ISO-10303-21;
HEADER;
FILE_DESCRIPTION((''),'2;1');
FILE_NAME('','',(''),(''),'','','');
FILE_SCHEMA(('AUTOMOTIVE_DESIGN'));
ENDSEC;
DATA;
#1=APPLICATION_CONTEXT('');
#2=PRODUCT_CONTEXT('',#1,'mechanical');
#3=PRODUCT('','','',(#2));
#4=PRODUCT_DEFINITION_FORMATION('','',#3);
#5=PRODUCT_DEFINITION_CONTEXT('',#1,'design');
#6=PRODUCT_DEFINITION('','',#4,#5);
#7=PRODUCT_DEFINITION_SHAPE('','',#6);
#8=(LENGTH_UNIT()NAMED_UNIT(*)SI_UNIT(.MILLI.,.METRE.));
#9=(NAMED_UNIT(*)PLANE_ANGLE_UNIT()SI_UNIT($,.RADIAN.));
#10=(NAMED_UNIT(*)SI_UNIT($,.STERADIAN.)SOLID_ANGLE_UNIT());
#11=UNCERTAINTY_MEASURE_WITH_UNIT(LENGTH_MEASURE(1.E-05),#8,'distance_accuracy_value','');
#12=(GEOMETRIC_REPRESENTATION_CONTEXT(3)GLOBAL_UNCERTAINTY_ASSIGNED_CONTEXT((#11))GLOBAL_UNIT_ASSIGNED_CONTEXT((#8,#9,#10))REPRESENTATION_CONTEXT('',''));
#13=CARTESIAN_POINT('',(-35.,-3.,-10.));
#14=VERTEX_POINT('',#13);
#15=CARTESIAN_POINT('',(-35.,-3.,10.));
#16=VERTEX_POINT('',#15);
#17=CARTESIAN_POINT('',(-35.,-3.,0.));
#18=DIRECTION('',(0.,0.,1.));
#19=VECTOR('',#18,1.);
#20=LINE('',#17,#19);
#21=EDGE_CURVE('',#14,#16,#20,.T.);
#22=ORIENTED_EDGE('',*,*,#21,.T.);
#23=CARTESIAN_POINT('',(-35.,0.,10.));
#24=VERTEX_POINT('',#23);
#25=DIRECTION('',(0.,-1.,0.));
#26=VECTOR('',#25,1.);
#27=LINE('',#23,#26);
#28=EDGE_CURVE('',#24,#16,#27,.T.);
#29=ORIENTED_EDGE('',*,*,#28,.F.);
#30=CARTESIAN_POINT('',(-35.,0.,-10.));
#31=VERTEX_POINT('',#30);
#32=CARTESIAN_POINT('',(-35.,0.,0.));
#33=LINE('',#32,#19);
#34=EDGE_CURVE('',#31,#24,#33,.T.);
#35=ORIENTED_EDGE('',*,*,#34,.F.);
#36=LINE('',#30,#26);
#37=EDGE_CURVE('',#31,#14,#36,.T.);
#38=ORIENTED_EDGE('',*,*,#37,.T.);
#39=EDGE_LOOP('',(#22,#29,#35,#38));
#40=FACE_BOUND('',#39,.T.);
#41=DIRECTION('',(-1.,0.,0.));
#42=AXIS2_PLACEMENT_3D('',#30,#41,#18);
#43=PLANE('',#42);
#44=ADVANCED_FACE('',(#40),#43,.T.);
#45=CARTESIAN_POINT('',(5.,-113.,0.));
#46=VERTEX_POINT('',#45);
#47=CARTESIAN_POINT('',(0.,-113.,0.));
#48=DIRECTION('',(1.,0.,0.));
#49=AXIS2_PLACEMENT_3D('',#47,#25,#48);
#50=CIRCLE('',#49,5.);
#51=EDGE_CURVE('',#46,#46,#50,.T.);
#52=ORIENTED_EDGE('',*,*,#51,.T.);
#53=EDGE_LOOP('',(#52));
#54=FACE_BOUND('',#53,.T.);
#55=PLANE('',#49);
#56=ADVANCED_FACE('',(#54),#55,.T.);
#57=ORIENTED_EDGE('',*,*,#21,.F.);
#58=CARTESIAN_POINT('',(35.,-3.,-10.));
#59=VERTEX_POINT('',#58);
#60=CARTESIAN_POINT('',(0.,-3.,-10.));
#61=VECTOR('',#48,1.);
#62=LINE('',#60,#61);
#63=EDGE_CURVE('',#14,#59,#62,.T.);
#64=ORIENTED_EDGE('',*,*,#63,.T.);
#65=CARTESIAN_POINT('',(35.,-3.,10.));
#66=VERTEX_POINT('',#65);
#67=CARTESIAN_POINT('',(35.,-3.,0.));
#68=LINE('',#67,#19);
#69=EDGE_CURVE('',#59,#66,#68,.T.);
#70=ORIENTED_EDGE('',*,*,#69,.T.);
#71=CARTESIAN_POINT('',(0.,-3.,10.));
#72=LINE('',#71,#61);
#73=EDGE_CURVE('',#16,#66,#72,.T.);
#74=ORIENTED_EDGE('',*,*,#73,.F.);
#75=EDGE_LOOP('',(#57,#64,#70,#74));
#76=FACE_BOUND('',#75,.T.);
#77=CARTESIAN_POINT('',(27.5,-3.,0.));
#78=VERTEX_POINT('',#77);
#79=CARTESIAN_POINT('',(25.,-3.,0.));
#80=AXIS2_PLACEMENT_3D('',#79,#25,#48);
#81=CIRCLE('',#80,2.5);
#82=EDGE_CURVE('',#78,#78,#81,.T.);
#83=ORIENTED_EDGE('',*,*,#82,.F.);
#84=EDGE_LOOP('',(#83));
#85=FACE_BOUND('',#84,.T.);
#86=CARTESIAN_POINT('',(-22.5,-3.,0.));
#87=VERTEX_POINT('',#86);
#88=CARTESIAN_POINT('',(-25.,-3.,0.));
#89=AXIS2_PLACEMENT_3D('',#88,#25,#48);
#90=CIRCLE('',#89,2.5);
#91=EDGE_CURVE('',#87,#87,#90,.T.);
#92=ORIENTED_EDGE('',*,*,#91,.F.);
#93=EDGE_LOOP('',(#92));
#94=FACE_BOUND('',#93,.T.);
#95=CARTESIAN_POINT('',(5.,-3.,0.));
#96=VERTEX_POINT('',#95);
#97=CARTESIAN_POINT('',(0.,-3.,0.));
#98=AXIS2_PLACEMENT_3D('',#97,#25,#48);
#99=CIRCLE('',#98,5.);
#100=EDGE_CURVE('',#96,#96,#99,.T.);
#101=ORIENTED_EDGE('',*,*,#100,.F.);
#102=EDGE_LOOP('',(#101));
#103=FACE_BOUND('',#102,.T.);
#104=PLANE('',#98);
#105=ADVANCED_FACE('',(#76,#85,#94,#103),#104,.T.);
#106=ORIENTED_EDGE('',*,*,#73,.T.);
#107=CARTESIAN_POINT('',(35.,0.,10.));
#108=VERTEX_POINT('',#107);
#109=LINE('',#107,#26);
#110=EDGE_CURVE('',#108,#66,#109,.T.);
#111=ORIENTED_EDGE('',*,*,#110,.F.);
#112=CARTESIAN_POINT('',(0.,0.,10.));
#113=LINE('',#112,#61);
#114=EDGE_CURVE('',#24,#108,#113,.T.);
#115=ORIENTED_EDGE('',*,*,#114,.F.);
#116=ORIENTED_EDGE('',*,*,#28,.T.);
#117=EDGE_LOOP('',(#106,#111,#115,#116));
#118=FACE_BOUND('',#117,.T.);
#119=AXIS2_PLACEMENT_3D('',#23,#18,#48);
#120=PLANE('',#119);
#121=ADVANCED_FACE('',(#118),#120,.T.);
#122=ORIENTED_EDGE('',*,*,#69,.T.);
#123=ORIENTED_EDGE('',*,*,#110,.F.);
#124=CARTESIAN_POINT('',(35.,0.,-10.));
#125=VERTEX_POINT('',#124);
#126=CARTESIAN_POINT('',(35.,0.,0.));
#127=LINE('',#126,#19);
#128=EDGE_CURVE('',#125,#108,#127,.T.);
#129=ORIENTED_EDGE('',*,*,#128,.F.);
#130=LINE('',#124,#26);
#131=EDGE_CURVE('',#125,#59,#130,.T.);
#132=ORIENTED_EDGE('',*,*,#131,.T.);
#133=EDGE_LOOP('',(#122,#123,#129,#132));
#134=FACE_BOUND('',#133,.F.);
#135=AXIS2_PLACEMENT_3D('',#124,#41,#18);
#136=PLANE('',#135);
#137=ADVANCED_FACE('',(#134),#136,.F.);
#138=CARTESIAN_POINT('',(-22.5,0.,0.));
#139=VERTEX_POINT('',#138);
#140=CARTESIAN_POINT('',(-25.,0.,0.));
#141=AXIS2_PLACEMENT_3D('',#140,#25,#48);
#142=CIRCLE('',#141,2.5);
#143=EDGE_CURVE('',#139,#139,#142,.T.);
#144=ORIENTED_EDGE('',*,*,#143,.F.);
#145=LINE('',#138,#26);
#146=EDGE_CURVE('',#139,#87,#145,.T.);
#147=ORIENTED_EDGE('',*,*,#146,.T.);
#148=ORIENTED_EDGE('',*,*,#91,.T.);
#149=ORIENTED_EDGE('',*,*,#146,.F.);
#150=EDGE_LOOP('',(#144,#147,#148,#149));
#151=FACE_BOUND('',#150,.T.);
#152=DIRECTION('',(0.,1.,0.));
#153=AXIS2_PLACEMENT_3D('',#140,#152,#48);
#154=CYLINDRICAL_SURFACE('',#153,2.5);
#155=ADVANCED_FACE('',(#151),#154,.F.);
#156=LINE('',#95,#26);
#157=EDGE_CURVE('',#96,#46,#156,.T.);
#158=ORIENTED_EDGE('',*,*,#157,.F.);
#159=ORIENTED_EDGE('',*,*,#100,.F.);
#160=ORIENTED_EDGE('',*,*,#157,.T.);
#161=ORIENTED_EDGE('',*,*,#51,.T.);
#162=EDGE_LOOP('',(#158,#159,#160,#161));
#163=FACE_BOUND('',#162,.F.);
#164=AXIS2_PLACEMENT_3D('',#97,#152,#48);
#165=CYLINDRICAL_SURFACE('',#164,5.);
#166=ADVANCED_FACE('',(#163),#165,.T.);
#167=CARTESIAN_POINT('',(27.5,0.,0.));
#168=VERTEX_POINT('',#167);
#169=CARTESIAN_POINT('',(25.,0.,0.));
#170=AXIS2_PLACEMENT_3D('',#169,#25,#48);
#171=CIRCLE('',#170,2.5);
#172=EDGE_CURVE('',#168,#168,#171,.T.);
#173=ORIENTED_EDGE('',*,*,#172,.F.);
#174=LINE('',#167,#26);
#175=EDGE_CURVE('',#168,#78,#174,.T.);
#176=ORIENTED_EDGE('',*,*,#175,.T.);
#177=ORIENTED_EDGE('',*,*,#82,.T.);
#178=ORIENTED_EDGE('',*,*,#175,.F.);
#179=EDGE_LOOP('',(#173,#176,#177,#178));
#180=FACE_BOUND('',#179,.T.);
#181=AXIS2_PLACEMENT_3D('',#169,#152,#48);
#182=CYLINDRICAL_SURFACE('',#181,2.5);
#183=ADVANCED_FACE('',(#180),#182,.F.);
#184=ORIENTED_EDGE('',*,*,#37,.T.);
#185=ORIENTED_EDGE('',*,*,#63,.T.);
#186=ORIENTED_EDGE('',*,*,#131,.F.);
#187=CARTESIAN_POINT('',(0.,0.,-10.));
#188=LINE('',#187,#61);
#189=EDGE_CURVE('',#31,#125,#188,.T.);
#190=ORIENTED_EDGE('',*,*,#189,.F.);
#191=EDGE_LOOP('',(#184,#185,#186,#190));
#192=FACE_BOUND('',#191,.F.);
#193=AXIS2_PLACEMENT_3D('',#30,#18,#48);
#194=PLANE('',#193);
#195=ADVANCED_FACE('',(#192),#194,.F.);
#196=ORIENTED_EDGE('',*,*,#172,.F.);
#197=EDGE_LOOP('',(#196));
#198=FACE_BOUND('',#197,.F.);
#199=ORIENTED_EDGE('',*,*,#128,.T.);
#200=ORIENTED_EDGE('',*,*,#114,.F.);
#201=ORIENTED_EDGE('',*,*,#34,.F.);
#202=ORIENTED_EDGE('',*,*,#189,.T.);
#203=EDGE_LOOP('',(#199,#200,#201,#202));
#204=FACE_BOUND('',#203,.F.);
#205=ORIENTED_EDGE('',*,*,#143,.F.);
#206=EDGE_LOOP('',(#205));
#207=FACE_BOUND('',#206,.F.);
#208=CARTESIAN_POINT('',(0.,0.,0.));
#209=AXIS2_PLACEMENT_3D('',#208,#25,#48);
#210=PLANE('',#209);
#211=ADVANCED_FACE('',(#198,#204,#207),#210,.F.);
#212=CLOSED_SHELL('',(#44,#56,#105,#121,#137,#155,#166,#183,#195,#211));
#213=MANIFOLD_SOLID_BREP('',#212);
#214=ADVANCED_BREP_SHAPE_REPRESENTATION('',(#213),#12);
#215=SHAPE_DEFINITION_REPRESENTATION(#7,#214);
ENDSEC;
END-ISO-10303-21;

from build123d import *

# Parameters (mm, degrees)
F0_W     = 70
F0_H     = 20
F0_R     = 2.5
F1_DEPTH = 3
F2_R     = 5
F3_DEPTH = 110


with BuildPart() as f1:
    # F0 (on Front) → F1 (new body)
    with BuildSketch(Plane.XZ):
        Rectangle(F0_W, F0_H)
        with Locations((-25, 0)):
            Circle(F0_R, mode=Mode.SUBTRACT)
        with Locations((25, 0)):
            Circle(F0_R, mode=Mode.SUBTRACT)
    extrude(amount=F1_DEPTH)

    # F2 (on face) → F3 (join)
    with BuildSketch(Plane.XZ.offset(3)):
        Circle(F2_R)
    extrude(amount=F3_DEPTH)


solid = f1.part
